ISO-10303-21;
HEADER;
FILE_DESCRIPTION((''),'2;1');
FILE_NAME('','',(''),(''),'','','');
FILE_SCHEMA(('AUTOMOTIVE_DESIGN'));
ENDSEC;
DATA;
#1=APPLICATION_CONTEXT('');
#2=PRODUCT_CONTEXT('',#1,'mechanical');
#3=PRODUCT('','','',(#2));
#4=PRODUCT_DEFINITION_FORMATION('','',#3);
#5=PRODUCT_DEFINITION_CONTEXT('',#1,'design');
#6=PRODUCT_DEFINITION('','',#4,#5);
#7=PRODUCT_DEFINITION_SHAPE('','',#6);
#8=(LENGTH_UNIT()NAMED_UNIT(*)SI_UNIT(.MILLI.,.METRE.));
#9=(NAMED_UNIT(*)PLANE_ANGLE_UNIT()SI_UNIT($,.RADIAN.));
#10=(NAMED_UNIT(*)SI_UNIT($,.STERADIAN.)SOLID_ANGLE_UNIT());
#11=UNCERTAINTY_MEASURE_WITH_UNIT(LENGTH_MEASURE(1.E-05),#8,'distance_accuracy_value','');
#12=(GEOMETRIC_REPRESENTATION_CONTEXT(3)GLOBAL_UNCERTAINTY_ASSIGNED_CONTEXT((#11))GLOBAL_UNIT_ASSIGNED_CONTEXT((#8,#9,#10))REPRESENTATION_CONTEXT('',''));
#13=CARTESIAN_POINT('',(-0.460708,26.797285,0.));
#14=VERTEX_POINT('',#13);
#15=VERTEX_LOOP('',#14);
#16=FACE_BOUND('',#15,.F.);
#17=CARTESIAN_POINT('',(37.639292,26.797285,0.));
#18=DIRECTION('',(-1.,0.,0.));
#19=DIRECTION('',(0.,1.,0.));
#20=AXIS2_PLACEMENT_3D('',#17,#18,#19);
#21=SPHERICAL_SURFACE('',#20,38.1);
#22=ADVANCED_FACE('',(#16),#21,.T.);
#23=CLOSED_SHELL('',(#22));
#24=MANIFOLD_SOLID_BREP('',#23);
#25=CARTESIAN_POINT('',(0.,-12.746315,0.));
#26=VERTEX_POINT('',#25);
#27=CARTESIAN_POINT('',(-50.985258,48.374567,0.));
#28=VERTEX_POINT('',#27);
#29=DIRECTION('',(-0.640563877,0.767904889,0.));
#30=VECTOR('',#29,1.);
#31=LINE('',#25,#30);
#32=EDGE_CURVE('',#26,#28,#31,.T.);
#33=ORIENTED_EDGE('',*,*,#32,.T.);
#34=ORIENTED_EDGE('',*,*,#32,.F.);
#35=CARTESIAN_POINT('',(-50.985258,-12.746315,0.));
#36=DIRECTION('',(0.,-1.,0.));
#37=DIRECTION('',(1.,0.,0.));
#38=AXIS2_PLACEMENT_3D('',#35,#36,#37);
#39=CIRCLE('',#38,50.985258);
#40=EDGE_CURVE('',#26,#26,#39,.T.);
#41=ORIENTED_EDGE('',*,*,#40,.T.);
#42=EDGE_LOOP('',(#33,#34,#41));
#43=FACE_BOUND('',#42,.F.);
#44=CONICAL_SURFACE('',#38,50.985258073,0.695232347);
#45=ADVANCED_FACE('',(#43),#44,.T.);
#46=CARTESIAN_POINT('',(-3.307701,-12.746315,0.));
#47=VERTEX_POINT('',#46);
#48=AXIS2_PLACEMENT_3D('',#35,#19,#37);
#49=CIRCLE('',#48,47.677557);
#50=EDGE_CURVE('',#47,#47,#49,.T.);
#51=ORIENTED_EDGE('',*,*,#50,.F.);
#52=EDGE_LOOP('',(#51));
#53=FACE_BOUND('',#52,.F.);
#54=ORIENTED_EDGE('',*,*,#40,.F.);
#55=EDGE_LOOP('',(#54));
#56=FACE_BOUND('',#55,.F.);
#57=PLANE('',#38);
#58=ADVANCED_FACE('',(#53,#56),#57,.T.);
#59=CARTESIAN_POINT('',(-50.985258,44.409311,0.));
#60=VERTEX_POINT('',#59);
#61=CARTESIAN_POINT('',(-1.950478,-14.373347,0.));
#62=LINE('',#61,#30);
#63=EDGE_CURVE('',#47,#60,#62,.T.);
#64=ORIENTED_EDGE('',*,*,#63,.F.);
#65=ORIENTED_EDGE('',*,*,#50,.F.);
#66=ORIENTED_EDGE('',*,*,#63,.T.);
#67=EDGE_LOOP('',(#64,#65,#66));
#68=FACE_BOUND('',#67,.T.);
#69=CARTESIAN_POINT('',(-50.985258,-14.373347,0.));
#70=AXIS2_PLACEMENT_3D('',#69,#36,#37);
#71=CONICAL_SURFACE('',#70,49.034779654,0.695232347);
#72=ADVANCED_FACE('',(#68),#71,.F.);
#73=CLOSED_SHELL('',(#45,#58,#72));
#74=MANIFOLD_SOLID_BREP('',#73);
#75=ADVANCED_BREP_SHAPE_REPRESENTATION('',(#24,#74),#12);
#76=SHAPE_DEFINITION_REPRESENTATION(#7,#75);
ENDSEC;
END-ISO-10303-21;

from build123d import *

# Parameters (mm, degrees)
F2_T = -2.54


with BuildPart() as f1:
    # F0 (on Top) → F1 (revolve)
    with BuildSketch(Plane.XY):
        Polygon((0, -12.7463145182), (-50.9852580726, 48.3745671809), (-50.9852580726, -12.7463145182), align=None)
    revolve(axis=Axis((-50.9852580726, 17.8141263314, 0), (0, -1, 0)))

    # F2
    f2_openings = [f1.faces().sort_by_distance(p)[0] for p in [
        (-50.985258, -12.746315, 0),
    ]]
    offset(amount=F2_T, openings=f2_openings)


with BuildPart() as f4:
    # F3 (on Top) → F4 (revolve)
    with BuildSketch(Plane.XY):
        with BuildLine():
            ThreePointArc((75.739291957, 26.7972852948), (37.639291957, 64.8972852948), (-0.460708043, 26.7972852948))
            Line((-0.460708043, 26.7972852948), (75.739291957, 26.7972852948))
        make_face()
    revolve(axis=Axis((37.639291957, 26.7972852948, 0), (1, 0, 0)))


solid = Compound([f1.part, f4.part])
